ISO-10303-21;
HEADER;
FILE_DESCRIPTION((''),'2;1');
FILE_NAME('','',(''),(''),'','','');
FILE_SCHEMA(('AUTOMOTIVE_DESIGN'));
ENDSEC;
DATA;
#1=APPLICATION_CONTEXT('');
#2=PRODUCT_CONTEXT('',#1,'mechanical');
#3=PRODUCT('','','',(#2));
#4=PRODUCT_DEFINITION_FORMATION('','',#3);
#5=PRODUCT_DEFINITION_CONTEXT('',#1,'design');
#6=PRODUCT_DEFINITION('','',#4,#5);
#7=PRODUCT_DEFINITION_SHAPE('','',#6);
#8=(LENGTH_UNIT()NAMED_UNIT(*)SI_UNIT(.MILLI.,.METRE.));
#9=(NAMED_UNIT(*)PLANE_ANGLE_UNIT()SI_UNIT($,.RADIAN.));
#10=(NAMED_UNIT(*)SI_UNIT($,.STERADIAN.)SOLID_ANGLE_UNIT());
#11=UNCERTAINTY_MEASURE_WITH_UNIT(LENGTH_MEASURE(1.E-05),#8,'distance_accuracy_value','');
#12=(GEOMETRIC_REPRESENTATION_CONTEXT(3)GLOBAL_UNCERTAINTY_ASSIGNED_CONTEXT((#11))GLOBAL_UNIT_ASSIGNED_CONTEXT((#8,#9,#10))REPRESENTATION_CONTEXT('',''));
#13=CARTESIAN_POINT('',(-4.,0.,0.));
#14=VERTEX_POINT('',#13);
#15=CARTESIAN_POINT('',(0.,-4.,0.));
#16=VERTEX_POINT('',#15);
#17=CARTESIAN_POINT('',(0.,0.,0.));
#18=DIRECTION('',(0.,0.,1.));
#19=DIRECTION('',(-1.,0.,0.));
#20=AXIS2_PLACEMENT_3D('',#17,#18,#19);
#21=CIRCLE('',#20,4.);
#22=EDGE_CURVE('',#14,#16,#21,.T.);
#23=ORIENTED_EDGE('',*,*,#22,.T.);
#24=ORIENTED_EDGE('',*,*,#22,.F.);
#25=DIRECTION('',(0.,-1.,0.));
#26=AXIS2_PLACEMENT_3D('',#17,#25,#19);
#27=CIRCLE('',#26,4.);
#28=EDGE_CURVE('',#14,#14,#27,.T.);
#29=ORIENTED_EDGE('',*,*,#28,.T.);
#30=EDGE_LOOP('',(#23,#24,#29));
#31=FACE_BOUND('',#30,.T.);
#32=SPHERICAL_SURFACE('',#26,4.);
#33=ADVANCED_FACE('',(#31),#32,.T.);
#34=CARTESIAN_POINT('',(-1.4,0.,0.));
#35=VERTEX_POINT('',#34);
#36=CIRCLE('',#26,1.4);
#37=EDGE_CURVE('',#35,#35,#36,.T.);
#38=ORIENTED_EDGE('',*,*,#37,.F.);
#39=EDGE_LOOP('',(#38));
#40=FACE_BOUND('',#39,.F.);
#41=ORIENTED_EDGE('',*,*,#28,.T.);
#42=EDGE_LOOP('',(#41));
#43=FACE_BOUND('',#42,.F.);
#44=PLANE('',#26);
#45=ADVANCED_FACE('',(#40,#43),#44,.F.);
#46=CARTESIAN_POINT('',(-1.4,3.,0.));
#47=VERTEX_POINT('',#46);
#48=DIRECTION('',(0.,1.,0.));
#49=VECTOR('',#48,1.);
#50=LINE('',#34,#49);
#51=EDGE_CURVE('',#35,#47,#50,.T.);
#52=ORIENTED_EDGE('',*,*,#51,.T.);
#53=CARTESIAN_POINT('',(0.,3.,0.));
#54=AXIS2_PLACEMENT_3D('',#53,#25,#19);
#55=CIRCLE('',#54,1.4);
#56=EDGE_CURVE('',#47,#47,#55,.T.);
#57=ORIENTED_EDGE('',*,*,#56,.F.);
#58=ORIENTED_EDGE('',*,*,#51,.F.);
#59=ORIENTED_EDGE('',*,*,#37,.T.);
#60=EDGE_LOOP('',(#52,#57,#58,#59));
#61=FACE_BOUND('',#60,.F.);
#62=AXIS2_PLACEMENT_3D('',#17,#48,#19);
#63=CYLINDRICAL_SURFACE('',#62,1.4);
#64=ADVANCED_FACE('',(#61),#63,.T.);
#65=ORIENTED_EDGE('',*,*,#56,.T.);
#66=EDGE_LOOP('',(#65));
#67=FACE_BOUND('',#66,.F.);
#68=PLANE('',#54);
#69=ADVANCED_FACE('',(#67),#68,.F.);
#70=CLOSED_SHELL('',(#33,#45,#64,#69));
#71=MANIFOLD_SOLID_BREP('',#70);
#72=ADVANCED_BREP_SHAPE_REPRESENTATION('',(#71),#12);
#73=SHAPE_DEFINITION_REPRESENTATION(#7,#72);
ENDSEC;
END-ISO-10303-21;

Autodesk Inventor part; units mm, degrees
ref_plane "YZ Plane" through (0, 0, 0) normal (1, 0, 0) x (0, 1, 0)
ref_plane "XZ Plane" through (0, 0, 0) normal (0, 1, 0) x (-1, 0, 0)
ref_plane "XY Plane" through (0, 0, 0) normal (0, 0, 1) x (1, 0, 0)
sketch "Sketch1" plane through (0, 0, 0) normal (0, 0, 1) x (1, 0, 0)
  arc A0 (-4, 0) -> (4, 0) centre (0, 0) ccw
  line L0 (-4, 0) -> (0, 0)
  line L1 (0, 0) -> (4, 0)
  line L2 (-1.4, 0) -> (-1.4, 3)
  line L3 (-1.4, 3) -> (1.4, 3)
  line L4 (1.4, 3) -> (1.4, 0)
  line L5 (0, 6.1) -> (0, -11.2301) construction
  line L6 (0, 3) -> (0, 0)
  line L7 (0, 0) -> (0, -4)
  dimension "d0" = 8
  dimension "d1" = 1.4
  dimension "d2" = 1.4
  dimension "d3" = 3
revolve "Revolution1" add sketch "Sketch1" angle 360 about axis through (0, 6.1, 0) along (0, -1, 0) contours L0 L7 A0 | L2 L3 L6 L0
properties part number "slider"
